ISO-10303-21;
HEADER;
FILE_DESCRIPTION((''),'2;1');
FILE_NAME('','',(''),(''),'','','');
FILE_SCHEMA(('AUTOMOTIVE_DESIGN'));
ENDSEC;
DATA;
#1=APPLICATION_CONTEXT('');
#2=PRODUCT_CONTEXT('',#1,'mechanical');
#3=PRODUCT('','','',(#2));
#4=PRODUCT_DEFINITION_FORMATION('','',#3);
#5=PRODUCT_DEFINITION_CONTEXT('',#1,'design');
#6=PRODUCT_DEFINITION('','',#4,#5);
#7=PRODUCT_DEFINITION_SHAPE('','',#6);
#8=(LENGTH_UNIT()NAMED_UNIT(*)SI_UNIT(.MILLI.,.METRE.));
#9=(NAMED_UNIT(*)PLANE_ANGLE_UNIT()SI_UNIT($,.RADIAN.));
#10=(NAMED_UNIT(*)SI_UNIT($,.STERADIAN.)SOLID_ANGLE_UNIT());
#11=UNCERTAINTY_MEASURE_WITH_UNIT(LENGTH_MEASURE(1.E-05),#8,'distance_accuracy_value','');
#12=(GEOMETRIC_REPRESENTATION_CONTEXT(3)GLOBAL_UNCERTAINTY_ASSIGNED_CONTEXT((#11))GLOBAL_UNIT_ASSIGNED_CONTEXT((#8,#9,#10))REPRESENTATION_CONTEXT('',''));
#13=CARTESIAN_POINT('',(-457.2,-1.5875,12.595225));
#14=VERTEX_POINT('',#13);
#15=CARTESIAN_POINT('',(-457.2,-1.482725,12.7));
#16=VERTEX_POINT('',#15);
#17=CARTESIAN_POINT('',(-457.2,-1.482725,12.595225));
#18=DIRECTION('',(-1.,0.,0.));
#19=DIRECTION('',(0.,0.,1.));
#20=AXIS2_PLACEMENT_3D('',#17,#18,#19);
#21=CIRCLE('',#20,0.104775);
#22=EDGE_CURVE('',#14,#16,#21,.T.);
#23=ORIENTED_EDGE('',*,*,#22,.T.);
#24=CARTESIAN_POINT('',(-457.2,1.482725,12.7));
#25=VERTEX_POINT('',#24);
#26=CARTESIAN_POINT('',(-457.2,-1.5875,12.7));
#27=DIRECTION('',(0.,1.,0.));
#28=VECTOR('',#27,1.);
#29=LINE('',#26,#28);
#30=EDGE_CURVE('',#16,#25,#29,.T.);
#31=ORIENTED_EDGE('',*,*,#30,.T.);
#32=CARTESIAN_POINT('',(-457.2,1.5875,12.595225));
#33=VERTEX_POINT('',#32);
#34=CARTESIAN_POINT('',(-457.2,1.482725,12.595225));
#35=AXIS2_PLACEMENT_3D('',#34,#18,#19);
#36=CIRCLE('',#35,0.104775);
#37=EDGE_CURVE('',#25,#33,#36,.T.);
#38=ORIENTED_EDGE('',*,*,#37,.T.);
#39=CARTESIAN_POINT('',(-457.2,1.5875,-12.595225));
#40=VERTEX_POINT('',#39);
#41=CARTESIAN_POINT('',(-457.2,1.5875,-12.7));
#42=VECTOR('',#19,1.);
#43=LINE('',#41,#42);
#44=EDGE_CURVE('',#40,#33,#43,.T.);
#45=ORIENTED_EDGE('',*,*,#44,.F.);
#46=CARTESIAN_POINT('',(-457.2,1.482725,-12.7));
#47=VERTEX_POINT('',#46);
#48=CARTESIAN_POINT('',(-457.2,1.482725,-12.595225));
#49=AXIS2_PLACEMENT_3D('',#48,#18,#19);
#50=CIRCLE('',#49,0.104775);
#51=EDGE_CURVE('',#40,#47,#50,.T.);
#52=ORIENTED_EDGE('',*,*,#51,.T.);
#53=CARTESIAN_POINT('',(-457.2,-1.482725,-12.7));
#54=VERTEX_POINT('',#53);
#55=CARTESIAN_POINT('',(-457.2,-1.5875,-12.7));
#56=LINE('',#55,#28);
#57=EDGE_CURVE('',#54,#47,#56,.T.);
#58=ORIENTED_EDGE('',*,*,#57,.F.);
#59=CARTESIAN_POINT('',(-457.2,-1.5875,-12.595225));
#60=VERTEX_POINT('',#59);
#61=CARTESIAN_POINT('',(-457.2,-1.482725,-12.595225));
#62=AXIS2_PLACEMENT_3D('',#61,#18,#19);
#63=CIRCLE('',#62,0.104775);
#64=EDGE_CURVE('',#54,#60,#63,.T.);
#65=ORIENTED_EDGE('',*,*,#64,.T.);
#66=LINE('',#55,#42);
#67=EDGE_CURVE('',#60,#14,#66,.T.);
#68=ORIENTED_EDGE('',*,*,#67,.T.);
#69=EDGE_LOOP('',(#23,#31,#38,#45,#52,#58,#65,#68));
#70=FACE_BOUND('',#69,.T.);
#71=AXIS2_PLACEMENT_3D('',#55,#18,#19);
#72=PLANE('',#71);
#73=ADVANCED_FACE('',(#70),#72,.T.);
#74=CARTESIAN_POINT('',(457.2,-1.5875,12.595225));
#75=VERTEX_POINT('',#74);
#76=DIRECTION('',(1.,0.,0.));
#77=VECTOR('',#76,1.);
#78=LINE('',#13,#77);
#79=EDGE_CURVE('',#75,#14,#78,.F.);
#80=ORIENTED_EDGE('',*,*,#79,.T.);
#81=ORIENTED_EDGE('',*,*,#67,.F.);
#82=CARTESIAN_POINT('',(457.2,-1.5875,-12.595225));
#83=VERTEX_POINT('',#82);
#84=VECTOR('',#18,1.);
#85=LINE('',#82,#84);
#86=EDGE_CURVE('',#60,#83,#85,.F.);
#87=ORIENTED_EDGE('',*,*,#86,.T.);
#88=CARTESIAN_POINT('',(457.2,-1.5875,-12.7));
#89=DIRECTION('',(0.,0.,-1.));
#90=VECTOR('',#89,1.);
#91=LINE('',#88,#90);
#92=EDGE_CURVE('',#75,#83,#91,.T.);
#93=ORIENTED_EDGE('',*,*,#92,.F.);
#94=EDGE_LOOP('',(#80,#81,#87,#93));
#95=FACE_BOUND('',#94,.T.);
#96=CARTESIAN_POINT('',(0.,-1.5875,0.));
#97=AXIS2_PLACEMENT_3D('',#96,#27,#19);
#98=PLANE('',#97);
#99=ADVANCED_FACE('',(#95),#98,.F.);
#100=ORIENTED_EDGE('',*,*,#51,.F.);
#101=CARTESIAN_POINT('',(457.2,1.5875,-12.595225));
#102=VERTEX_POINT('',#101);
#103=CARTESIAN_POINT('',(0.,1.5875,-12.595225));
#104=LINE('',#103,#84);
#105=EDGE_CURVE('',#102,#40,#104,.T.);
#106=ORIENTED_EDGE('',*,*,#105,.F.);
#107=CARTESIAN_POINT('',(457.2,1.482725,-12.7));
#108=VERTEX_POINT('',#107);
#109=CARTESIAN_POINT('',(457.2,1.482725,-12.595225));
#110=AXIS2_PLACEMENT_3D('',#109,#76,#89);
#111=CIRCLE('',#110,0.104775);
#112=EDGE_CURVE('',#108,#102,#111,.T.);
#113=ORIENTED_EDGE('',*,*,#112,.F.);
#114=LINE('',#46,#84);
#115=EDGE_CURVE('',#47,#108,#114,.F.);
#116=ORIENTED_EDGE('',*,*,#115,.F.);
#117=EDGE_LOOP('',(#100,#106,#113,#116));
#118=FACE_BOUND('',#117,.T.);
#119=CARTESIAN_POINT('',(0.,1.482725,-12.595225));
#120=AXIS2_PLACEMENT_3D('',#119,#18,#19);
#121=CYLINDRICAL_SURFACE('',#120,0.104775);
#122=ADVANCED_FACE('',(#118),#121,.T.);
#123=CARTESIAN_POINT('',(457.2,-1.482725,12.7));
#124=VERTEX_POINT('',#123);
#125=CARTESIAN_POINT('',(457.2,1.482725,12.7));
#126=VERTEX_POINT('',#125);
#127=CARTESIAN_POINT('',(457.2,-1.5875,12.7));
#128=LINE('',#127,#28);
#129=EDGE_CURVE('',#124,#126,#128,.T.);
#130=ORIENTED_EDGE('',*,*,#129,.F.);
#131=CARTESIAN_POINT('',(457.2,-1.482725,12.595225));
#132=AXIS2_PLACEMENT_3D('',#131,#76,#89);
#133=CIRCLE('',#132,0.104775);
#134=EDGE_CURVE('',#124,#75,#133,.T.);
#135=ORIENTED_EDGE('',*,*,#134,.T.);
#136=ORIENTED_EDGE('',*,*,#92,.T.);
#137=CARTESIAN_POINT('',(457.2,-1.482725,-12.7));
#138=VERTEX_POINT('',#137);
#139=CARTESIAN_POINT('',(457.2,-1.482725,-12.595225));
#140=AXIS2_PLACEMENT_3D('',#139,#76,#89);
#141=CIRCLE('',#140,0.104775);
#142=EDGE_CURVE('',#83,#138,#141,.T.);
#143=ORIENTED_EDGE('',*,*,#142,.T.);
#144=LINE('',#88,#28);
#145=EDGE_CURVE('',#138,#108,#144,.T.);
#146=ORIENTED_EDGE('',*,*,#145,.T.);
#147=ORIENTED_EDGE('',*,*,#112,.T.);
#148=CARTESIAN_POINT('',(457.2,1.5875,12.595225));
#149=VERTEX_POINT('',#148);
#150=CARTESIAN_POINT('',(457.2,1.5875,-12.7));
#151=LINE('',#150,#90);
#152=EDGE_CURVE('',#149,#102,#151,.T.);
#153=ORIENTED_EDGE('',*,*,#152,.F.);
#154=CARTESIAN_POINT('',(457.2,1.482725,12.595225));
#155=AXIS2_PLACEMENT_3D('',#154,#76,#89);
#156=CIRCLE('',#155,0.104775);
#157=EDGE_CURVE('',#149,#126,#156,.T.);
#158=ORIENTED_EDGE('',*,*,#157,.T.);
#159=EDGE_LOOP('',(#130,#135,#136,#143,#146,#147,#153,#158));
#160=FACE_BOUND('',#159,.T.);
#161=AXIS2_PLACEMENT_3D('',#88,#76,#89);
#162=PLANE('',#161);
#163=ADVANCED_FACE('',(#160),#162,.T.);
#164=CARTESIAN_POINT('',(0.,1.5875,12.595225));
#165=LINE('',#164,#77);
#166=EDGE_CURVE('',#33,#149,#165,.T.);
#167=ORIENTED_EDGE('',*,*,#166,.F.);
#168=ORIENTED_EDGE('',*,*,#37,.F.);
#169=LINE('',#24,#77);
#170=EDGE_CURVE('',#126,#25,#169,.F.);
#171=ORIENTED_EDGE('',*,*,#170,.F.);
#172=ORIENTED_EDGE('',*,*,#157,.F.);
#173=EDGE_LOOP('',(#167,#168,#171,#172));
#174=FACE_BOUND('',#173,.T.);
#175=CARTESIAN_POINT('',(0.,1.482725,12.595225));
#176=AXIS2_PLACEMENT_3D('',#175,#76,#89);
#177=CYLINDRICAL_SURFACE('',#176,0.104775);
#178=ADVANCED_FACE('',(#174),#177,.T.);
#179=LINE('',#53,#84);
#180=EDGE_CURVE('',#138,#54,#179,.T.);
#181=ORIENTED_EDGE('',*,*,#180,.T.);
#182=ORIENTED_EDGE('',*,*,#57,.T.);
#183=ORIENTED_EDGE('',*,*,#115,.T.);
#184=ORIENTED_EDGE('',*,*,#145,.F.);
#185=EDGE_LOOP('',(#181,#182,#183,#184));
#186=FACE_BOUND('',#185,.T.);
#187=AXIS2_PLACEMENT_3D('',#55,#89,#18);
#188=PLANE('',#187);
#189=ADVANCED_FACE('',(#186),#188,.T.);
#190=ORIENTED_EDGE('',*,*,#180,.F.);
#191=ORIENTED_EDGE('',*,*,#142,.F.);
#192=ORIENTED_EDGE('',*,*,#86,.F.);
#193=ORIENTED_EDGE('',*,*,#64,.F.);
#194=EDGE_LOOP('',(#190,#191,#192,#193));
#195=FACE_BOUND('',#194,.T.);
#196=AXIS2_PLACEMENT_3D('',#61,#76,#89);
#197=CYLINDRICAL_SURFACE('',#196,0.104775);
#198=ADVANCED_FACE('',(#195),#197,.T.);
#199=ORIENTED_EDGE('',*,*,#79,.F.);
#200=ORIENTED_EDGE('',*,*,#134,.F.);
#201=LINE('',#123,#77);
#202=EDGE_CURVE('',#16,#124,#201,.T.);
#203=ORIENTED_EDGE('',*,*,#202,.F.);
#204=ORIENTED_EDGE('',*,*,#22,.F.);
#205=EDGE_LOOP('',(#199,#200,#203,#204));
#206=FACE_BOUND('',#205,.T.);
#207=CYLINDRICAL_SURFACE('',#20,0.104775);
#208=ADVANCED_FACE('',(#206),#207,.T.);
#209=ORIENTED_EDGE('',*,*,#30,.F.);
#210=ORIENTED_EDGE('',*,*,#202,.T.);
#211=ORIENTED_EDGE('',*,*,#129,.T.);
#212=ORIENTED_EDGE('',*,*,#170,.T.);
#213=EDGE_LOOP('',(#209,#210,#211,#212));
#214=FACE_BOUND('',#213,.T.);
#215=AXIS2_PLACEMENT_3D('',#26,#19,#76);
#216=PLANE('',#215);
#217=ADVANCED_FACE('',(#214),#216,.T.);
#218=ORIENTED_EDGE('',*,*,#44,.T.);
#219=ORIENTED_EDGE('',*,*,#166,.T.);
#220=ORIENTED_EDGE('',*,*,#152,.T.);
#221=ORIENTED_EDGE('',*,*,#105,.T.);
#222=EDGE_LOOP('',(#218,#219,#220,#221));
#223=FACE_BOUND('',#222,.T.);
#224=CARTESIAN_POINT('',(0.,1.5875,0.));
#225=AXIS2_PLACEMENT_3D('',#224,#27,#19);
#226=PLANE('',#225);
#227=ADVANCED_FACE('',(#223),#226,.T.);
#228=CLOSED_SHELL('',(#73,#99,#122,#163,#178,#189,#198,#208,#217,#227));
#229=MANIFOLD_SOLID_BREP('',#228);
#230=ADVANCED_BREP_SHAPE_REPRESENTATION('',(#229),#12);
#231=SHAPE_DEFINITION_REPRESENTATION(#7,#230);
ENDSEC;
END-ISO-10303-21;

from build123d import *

# Parameters (mm, degrees)
BOSS_EXTRUDE1_DEPTH      = 1.5875
BOSS_EXTRUDE1_DEPTH_BACK = 1.5875
SKETCH3_W                = 914.4
SKETCH3_H                = 25.4
FILLET1_R                = 0.104775


with BuildPart() as part:
    # Sketch3 → Boss-Extrude1 (new, two sides: drawn at the far end of the back side and taken through both)
    with BuildSketch(Plane(origin=(0, 0, 0), x_dir=(1, 0, 0), z_dir=(0, 1, 0)).offset(-BOSS_EXTRUDE1_DEPTH_BACK)):
        Rectangle(SKETCH3_W, SKETCH3_H)
    extrude(amount=BOSS_EXTRUDE1_DEPTH + BOSS_EXTRUDE1_DEPTH_BACK)

    # Fillet1
    fillet1_edges = [part.edges().sort_by_distance(p)[0] for p in [
        (0, 1.5875, 12.7),
        (0, -1.5875, -12.7),
        (0, 1.5875, -12.7),
        (0, -1.5875, 12.7),
    ]]
    fillet(fillet1_edges, radius=FILLET1_R)


solid = part.part
